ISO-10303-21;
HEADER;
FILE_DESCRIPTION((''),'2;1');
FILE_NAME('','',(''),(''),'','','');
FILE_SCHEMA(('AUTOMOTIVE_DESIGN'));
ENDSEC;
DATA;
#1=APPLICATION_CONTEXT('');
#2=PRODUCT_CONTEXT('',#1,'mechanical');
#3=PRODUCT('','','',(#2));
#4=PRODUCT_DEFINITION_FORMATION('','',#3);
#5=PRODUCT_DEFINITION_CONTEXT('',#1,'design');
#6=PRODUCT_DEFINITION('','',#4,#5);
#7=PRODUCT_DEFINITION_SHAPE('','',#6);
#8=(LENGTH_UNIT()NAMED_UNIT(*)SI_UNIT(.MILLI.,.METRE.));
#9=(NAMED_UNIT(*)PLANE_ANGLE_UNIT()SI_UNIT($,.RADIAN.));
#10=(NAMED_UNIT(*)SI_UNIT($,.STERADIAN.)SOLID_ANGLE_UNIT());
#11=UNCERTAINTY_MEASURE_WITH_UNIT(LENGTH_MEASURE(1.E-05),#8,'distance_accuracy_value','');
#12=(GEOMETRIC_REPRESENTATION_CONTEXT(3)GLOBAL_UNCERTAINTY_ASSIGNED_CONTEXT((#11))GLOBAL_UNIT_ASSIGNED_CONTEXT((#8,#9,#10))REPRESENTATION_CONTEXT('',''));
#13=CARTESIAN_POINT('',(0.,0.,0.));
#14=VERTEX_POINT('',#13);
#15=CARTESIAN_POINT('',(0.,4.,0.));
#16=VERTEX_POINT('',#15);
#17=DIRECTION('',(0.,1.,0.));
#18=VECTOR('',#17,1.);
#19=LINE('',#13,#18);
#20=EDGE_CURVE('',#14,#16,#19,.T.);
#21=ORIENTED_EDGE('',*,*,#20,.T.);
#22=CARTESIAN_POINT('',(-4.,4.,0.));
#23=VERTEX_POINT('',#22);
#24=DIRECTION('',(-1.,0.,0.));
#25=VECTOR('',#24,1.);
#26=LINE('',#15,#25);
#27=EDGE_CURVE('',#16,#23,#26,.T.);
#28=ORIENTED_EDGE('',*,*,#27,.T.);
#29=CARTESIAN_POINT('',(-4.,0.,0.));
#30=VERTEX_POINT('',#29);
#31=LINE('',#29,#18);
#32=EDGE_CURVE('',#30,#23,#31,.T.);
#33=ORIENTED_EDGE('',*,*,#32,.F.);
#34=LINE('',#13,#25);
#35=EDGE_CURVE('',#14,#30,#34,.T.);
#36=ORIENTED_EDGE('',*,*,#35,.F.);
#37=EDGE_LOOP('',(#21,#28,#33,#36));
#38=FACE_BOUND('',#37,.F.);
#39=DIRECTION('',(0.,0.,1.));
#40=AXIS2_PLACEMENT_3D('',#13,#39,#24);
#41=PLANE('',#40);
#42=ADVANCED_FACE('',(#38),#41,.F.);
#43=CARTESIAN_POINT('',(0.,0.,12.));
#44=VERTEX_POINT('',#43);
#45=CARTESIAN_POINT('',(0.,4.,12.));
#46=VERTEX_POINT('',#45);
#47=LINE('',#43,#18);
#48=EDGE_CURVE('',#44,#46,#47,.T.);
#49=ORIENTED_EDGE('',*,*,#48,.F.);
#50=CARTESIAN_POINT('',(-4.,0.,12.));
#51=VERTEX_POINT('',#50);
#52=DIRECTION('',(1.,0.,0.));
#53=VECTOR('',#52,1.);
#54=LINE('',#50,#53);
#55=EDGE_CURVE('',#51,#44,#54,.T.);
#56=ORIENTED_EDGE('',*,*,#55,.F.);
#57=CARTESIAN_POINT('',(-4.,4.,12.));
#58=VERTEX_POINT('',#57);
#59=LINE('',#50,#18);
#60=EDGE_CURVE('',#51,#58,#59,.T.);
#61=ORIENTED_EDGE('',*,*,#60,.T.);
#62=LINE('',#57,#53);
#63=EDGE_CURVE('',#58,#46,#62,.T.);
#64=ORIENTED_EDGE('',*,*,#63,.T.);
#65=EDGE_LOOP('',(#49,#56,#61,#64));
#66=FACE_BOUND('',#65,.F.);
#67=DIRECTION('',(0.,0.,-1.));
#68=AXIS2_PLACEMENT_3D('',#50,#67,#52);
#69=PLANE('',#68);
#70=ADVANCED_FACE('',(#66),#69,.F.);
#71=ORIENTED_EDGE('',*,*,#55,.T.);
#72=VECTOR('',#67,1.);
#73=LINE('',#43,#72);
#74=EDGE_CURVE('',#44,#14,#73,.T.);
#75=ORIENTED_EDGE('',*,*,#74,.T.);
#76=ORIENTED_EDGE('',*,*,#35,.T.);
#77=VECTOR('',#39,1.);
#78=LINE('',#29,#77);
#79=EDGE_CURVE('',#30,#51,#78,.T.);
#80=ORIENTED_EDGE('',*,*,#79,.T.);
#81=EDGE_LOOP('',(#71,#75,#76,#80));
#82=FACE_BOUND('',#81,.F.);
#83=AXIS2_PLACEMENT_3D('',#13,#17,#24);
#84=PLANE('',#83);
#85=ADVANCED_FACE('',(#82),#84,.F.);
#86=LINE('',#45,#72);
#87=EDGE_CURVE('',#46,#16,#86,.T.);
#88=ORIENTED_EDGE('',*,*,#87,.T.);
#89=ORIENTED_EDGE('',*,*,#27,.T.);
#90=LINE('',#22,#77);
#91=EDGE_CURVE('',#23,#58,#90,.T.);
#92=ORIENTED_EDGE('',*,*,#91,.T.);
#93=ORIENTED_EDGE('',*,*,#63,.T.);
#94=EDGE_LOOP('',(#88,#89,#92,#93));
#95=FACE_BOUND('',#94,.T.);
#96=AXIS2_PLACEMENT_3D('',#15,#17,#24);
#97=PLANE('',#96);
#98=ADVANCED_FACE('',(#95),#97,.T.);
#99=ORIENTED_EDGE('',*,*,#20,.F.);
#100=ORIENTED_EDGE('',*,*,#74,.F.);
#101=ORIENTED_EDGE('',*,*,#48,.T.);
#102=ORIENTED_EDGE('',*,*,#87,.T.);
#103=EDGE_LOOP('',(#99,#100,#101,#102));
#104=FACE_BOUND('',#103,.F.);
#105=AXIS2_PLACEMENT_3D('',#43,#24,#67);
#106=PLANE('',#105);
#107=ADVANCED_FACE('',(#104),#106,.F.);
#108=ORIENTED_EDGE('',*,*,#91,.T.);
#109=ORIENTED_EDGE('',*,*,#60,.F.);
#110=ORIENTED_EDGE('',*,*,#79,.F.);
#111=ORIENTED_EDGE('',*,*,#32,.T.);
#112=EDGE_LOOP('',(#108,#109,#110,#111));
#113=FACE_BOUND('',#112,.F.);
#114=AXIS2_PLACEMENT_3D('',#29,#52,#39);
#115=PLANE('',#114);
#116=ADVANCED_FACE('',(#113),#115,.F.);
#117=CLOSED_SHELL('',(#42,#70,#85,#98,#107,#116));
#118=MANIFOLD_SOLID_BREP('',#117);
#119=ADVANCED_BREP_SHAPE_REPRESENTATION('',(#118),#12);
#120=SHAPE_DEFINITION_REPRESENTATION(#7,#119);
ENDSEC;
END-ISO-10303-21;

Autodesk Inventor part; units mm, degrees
ref_plane "YZ Plane" through (0, 0, 0) normal (1, 0, 0) x (0, 1, 0)
ref_plane "XZ Plane" through (0, 0, 0) normal (0, 1, 0) x (-1, 0, 0)
ref_plane "XY Plane" through (0, 0, 0) normal (0, 0, 1) x (1, 0, 0)
sketch "Sketch1" plane through (0, 0, 0) normal (0, 1, 0) x (-1, 0, 0)
  line L0 (0, 0) -> (4, 0)
  line L1 (4, 0) -> (4, 12)
  line L2 (4, 12) -> (0, 12)
  line L3 (0, 12) -> (0, 0)
  dimension "d0" = 4
  dimension "d1" = 12
extrude "Extrusion1" add sketch "Sketch1" along normal blind 4
properties part number "4mm Key"
